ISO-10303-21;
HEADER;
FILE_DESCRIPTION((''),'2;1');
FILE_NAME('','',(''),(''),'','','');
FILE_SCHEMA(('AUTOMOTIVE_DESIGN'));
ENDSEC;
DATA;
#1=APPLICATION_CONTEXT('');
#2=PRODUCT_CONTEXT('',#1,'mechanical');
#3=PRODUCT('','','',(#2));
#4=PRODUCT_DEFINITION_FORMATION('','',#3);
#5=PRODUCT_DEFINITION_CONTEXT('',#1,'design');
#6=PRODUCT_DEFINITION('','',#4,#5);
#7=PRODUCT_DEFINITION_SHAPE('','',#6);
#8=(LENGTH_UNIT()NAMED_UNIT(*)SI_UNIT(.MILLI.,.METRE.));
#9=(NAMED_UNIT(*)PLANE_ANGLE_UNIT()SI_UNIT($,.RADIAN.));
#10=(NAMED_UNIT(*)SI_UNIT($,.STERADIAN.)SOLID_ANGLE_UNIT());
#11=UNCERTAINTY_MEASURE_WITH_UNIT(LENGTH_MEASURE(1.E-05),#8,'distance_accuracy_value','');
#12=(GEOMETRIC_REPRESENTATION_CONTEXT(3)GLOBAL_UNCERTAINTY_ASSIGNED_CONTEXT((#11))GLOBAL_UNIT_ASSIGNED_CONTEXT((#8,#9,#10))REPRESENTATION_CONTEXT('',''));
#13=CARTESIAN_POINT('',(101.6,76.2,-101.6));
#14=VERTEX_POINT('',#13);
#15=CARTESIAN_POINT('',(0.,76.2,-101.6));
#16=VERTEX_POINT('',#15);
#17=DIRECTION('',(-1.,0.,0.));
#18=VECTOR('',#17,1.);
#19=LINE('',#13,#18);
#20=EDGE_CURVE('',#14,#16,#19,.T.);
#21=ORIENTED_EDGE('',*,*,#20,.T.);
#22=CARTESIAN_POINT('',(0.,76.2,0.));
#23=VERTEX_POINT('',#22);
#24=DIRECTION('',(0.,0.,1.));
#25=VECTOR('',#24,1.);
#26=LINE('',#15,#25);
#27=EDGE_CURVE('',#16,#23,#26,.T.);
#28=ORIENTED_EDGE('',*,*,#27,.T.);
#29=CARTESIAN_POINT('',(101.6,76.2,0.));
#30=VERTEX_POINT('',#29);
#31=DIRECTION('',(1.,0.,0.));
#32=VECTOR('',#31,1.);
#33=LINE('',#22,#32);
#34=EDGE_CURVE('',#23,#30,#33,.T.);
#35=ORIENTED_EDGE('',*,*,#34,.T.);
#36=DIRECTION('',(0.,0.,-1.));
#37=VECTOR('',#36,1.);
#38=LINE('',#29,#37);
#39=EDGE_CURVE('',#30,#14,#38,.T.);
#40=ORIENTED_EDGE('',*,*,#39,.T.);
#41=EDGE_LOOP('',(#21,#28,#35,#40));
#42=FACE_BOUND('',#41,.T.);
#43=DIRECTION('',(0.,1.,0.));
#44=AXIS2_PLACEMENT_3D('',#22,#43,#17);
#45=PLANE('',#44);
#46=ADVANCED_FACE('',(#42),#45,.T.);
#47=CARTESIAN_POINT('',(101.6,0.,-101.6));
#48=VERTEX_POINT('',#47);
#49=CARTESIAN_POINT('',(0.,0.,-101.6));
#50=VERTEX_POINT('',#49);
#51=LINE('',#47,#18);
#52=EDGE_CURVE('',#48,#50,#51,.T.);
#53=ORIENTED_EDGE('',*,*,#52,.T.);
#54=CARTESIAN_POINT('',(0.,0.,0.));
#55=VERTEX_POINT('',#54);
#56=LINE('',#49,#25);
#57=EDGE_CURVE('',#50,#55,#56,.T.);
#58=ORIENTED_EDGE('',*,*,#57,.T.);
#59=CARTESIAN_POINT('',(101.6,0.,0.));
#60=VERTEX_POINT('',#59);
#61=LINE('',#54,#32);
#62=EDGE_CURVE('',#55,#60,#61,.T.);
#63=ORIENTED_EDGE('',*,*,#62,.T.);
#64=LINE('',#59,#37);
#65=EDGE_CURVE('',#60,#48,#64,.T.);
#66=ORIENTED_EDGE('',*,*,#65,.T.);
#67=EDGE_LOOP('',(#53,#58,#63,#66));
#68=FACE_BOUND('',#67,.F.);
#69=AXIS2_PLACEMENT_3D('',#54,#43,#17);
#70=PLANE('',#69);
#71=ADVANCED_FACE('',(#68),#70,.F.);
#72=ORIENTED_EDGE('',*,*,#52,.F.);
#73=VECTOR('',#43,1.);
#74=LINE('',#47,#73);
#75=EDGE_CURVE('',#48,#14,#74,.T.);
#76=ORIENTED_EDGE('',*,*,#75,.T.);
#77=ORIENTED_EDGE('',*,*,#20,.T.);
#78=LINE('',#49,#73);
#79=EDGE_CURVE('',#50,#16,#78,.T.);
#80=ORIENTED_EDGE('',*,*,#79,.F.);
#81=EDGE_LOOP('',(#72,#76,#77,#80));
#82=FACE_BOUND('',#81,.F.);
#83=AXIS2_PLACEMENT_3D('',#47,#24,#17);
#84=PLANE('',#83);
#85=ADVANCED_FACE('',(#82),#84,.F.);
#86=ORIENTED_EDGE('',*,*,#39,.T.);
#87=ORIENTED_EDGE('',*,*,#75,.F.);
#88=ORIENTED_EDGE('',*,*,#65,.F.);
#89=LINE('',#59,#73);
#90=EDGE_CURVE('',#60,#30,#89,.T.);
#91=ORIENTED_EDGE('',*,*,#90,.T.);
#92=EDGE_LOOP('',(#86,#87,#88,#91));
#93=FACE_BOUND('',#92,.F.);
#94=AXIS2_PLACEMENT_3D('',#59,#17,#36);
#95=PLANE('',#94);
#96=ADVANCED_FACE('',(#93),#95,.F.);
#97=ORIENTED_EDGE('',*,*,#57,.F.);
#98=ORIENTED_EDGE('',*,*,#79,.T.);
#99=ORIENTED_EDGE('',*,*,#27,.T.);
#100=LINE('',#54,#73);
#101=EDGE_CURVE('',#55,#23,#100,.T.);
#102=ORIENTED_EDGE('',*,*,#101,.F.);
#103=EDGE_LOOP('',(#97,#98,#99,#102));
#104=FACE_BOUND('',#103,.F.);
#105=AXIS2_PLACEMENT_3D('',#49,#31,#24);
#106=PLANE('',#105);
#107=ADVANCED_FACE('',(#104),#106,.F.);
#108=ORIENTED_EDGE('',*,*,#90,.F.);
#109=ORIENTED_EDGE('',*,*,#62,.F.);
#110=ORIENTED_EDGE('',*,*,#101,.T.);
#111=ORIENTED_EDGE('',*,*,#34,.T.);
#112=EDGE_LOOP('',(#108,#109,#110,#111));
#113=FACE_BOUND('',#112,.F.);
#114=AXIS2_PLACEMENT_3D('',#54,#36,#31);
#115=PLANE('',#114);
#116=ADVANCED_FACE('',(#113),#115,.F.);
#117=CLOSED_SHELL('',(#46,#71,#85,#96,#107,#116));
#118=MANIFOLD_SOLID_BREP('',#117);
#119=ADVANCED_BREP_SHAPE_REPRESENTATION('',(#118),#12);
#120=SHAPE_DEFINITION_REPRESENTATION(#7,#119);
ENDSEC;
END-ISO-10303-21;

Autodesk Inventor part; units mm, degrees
ref_plane "YZ Plane" through (0, 0, 0) normal (1, 0, 0) x (0, 1, 0)
ref_plane "XZ Plane" through (0, 0, 0) normal (0, 1, 0) x (-1, 0, 0)
ref_plane "XY Plane" through (0, 0, 0) normal (0, 0, 1) x (1, 0, 0)
sketch "Sketch2" plane through (0, 0, 0) normal (0, 1, 0) x (-1, 0, 0)
  line L0 (0, 0) -> (-101.6, 0)
  line L1 (-101.6, 0) -> (-101.6, -101.6)
  line L2 (-101.6, -101.6) -> (0, -101.6)
  line L3 (0, -101.6) -> (0, 0)
  dimension "d3" = 101.6
  dimension "d4" = 101.6
extrude "Extrusion1" add sketch "Sketch2" along normal blind 76.2
properties part number "4x4-1137"
